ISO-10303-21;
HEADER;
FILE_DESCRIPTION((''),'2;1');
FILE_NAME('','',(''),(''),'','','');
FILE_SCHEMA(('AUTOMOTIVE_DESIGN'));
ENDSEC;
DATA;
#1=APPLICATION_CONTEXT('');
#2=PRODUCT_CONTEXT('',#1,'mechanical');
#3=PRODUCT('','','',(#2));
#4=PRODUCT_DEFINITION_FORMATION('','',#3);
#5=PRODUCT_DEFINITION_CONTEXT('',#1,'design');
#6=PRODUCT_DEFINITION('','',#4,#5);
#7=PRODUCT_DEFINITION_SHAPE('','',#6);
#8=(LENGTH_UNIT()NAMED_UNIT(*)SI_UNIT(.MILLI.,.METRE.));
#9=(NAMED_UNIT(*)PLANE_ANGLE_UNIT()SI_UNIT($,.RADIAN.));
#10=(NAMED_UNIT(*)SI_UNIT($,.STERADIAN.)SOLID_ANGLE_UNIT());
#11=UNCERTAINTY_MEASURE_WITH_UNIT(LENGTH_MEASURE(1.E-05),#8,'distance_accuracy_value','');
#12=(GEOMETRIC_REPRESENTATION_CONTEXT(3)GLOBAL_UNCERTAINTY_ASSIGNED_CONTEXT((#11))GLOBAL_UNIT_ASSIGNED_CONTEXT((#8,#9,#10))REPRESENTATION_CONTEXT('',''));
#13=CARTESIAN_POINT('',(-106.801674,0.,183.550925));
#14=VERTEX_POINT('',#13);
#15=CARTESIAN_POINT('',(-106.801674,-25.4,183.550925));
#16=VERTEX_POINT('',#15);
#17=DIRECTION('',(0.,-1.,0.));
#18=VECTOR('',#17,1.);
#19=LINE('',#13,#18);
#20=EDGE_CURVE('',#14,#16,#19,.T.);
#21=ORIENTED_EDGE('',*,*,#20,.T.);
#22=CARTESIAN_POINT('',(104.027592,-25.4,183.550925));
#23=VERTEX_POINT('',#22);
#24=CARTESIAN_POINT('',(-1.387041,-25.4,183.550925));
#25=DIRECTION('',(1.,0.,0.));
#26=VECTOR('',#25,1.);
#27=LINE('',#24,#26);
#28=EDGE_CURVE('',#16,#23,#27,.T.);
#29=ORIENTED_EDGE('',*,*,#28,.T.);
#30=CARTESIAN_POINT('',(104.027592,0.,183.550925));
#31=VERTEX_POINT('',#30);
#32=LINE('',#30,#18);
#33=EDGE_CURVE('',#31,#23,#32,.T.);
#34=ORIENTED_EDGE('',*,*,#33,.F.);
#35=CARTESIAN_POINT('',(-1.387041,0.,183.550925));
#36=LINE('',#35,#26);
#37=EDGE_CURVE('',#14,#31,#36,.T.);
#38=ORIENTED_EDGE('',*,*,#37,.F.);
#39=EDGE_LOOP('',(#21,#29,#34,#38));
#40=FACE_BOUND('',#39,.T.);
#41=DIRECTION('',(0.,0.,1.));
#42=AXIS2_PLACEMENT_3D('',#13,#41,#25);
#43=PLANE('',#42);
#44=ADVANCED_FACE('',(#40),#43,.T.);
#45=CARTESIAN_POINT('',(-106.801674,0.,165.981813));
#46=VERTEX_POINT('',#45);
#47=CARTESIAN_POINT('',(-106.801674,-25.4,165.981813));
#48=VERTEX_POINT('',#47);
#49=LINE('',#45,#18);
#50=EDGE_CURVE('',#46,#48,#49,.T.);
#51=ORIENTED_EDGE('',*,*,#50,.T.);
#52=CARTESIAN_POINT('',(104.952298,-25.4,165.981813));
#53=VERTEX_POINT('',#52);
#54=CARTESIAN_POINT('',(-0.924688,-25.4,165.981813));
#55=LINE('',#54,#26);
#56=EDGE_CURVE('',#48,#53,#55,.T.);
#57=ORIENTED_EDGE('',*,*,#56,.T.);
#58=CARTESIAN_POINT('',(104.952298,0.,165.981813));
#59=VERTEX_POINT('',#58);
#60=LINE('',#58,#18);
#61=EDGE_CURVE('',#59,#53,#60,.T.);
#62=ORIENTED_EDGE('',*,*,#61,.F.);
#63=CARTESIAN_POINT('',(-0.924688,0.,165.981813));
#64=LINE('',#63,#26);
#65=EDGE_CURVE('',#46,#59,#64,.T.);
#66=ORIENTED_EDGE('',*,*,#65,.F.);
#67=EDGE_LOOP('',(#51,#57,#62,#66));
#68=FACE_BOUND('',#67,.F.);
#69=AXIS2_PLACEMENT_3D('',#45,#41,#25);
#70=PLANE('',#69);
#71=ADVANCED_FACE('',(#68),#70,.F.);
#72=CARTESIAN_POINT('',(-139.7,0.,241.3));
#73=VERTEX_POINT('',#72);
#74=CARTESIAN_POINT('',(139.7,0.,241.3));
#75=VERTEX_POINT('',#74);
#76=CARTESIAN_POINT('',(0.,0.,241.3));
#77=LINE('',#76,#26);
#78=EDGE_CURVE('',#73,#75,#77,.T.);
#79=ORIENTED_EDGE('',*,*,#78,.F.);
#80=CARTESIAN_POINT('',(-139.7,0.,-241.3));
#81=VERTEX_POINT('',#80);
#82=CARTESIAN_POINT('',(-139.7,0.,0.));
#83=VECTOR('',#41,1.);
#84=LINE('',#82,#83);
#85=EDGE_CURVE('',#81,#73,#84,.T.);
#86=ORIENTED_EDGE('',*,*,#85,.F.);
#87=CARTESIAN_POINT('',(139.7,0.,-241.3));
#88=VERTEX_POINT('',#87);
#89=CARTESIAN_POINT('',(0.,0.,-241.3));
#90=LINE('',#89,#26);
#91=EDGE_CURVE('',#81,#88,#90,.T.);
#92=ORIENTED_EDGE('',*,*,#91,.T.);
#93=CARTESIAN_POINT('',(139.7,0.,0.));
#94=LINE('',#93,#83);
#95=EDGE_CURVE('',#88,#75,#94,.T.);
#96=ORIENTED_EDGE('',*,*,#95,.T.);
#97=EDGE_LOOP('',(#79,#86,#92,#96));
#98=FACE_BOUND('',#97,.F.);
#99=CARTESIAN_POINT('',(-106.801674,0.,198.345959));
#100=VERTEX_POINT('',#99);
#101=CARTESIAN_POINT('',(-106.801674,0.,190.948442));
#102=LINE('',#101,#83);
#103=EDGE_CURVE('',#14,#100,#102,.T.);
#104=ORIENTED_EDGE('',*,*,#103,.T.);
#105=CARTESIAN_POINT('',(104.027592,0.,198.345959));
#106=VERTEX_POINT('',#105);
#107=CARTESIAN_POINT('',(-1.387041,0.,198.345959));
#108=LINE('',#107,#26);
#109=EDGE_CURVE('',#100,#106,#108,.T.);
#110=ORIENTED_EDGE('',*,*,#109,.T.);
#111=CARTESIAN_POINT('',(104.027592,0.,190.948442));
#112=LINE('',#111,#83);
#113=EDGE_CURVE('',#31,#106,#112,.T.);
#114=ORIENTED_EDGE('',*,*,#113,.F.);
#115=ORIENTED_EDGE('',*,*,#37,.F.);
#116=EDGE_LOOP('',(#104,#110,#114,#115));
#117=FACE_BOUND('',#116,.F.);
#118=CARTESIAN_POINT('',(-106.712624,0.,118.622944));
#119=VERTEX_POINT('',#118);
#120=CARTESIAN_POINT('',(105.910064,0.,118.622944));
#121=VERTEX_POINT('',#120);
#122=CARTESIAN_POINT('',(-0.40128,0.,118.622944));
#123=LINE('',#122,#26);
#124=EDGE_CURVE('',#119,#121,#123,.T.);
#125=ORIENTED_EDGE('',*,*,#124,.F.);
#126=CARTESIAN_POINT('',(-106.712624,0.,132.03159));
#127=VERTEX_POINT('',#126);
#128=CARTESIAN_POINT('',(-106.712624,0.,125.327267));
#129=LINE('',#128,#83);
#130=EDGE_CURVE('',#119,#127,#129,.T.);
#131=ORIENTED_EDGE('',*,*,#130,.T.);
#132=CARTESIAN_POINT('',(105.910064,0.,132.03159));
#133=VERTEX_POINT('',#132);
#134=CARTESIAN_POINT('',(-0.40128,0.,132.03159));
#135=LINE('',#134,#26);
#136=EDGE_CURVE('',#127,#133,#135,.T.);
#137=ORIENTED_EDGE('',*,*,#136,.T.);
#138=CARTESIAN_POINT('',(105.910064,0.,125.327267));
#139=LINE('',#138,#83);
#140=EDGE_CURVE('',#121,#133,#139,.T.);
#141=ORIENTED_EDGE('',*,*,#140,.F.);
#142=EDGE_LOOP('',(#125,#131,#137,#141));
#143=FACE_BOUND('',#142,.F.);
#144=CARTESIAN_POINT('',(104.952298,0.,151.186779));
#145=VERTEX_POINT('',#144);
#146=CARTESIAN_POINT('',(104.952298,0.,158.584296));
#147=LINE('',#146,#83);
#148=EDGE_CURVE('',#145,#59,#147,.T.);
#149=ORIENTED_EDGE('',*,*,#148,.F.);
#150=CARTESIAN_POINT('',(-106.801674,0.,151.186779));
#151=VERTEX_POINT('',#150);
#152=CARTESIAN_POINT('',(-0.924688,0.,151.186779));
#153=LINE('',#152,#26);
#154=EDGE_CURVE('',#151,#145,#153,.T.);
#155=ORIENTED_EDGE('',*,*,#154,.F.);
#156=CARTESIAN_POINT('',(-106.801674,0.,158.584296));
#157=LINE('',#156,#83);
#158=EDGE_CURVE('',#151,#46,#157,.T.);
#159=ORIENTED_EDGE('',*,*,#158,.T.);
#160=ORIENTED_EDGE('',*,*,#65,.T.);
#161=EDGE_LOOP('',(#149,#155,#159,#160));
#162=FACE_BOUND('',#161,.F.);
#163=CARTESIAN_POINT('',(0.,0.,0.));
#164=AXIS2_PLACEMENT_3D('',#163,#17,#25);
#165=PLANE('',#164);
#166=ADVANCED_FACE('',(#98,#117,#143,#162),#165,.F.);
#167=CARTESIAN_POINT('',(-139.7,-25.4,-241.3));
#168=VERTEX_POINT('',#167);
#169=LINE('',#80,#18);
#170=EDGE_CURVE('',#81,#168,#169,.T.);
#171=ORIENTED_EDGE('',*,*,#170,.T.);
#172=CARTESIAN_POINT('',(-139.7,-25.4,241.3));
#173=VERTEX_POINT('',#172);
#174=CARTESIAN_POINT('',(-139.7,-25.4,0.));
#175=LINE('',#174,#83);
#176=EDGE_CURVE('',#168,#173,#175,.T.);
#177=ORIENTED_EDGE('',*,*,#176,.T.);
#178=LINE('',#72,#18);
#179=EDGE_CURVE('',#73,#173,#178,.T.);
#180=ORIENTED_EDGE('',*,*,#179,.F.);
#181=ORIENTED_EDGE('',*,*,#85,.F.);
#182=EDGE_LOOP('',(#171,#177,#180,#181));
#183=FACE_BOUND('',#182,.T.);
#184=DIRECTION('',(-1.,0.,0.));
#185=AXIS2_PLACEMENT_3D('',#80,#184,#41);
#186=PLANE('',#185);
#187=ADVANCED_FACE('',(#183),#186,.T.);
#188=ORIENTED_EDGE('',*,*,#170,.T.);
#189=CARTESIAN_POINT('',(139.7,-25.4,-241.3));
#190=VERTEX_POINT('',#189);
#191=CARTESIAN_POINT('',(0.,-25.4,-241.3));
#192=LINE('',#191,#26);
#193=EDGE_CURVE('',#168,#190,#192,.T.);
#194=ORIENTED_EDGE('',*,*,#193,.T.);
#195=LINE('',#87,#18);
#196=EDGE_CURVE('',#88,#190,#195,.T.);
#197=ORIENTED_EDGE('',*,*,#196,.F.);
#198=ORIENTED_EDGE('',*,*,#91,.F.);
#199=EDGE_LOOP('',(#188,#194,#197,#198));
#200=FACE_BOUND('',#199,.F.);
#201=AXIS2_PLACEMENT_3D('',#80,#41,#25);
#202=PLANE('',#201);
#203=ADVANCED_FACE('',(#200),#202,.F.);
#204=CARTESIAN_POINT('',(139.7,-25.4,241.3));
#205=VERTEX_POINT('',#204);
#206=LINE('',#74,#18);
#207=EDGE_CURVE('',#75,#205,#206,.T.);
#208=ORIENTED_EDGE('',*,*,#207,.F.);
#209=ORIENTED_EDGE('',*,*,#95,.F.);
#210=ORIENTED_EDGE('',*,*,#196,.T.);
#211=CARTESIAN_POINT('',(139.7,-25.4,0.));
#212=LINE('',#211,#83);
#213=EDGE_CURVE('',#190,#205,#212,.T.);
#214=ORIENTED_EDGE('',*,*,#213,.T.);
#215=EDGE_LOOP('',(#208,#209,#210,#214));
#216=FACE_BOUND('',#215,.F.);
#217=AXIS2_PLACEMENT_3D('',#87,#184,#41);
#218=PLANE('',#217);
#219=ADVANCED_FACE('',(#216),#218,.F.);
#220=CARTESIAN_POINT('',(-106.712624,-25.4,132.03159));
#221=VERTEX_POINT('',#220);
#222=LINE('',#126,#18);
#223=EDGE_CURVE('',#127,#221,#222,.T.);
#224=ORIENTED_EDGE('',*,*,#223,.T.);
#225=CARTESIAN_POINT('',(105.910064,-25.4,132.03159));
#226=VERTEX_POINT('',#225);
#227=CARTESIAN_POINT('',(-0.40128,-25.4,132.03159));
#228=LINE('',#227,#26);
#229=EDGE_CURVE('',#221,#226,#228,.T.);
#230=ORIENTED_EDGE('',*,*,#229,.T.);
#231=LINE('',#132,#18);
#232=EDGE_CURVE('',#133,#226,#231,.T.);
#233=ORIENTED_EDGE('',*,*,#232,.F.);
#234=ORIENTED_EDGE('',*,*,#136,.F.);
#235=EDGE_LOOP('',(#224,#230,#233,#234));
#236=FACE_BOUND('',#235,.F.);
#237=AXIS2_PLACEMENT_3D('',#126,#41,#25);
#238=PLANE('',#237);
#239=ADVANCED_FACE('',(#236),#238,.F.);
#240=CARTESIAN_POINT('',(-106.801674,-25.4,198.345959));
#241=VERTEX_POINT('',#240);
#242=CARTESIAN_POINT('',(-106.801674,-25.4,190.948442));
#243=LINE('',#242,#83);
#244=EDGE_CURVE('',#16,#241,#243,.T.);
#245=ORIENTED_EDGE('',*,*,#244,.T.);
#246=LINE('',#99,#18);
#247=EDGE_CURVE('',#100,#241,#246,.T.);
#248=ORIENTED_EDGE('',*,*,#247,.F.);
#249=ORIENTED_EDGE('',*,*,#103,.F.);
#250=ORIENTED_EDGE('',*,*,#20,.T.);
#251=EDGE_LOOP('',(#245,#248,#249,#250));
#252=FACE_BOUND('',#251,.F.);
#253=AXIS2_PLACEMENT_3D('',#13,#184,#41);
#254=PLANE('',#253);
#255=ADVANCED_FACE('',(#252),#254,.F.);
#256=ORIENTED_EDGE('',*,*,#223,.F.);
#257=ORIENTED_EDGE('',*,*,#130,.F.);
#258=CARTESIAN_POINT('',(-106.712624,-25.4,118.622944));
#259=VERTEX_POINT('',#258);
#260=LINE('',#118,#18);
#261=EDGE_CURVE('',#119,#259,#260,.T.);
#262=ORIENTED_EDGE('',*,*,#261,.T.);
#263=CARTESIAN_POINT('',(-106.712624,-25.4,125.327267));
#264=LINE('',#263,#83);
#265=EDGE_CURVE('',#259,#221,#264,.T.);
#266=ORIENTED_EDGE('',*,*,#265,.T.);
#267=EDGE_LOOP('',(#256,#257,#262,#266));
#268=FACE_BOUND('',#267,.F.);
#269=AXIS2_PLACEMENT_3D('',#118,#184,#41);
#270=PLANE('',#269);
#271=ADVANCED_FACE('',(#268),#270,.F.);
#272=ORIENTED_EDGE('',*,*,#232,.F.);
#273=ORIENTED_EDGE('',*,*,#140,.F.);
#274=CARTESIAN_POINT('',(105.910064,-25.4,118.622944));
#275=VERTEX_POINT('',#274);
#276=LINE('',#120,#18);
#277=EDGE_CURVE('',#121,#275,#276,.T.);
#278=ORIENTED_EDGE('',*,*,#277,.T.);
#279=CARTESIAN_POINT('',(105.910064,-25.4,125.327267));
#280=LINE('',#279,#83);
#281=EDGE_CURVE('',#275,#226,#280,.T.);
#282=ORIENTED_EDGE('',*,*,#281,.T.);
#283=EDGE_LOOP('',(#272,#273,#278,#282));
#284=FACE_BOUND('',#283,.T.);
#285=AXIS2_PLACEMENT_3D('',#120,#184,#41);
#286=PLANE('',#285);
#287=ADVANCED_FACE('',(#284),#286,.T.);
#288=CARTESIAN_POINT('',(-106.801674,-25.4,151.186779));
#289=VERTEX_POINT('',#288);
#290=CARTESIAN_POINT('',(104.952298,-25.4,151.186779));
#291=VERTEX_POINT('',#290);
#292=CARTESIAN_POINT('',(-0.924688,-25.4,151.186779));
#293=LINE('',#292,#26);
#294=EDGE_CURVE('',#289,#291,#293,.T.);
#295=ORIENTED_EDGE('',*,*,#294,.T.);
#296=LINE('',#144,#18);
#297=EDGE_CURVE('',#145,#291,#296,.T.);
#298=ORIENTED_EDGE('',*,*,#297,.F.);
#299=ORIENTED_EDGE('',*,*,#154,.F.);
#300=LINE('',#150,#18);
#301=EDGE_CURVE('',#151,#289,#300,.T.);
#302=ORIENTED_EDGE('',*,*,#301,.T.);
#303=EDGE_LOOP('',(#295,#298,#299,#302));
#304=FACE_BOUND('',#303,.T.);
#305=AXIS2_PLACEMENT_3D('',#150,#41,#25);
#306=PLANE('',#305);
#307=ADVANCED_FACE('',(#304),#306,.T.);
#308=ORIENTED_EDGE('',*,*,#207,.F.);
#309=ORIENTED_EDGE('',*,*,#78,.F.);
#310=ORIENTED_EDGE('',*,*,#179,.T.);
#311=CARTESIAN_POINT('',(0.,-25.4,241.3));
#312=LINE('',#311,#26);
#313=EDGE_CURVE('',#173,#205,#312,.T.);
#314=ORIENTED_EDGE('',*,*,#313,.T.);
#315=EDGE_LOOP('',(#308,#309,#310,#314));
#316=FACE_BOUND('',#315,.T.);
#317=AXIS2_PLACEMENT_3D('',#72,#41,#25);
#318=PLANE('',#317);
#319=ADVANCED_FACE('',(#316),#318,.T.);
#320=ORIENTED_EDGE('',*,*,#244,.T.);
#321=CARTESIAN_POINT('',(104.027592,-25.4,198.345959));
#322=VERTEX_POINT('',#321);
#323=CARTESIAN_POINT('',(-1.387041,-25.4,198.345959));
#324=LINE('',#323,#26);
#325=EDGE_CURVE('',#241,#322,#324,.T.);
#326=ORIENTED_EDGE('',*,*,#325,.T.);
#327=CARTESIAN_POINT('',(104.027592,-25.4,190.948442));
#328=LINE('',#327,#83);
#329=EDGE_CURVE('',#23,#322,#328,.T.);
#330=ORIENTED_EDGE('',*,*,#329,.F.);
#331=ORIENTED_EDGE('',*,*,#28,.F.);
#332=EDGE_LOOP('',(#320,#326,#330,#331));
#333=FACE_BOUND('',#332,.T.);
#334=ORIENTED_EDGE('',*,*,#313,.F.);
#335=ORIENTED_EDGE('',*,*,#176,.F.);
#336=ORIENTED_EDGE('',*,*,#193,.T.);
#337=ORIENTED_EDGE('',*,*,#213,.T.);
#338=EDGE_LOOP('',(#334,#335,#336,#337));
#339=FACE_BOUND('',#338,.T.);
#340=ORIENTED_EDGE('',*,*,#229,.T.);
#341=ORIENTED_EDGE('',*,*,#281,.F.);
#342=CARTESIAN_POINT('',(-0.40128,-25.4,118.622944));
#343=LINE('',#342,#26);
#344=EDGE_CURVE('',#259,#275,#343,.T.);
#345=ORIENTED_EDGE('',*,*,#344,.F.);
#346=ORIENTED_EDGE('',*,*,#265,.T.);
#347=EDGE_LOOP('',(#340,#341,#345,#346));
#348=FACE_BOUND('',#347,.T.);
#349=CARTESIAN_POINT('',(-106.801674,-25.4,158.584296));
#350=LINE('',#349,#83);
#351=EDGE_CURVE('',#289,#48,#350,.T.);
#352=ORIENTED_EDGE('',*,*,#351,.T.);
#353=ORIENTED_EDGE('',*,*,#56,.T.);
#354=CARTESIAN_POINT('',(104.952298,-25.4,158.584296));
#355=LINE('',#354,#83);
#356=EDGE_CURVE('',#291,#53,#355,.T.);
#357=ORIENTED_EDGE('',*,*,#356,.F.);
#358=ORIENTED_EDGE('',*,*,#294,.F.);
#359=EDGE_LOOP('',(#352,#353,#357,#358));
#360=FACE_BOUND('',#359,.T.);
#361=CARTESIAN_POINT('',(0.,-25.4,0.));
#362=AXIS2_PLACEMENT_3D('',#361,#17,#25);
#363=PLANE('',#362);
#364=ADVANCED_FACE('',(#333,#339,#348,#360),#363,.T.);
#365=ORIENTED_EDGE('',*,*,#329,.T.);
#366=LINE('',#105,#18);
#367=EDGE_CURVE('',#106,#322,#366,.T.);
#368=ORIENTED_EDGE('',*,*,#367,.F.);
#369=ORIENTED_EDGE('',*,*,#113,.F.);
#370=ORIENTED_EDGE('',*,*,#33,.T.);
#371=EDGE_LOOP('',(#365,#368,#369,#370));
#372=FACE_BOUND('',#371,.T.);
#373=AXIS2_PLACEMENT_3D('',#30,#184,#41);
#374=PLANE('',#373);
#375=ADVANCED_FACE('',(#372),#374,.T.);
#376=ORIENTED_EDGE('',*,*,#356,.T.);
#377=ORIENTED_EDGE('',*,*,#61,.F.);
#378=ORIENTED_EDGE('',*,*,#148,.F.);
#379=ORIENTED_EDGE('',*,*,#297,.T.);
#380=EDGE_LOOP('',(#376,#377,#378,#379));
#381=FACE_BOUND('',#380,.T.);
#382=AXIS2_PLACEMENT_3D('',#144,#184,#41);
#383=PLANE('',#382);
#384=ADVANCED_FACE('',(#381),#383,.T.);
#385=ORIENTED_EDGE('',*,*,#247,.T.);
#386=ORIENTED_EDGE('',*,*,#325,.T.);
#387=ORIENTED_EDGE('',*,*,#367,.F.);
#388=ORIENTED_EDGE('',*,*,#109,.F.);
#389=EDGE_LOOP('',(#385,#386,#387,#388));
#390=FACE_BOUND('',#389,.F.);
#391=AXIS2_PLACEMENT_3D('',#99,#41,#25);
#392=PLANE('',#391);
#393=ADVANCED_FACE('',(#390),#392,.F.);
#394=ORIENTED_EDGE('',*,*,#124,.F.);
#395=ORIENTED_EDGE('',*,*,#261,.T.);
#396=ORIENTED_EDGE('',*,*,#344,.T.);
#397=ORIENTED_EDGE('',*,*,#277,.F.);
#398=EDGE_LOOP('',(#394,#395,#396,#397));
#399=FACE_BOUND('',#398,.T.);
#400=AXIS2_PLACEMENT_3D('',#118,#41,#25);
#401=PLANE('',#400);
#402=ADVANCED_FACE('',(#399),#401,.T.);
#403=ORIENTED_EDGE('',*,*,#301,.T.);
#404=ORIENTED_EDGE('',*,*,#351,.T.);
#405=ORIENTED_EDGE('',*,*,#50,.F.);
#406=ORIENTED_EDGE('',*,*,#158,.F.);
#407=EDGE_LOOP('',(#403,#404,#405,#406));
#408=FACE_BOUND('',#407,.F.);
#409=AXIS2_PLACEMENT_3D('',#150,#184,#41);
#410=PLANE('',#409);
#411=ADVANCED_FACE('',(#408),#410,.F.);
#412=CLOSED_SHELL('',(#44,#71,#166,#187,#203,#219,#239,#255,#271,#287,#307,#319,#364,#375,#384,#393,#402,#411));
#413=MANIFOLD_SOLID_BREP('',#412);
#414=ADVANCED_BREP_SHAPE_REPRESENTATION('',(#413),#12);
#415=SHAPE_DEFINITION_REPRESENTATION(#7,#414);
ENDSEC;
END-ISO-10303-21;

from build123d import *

# Parameters (mm, degrees)
F1_W     = 279.4
F1_H     = 482.6
F1_W_2   = 212.622687
F1_H_2   = 13.408646
F1_W_3   = 211.753972
F1_H_3   = 14.795035
F1_W_4   = 210.829266
F2_DEPTH = 25.4


with BuildPart() as f2:
    # F1 (on face) → F2 (new body)
    with BuildSketch(Plane.XZ):
        Rectangle(F1_W, F1_H)
        with Locations((-0.40128, 125.327267)):
            Rectangle(F1_W_2, F1_H_2, mode=Mode.SUBTRACT)
        with Locations((-0.924688, 158.584296)):
            Rectangle(F1_W_3, F1_H_3, mode=Mode.SUBTRACT)
        with Locations((-1.387041, 190.948442)):
            Rectangle(F1_W_4, F1_H_3, mode=Mode.SUBTRACT)
    extrude(amount=F2_DEPTH)


solid = f2.part
